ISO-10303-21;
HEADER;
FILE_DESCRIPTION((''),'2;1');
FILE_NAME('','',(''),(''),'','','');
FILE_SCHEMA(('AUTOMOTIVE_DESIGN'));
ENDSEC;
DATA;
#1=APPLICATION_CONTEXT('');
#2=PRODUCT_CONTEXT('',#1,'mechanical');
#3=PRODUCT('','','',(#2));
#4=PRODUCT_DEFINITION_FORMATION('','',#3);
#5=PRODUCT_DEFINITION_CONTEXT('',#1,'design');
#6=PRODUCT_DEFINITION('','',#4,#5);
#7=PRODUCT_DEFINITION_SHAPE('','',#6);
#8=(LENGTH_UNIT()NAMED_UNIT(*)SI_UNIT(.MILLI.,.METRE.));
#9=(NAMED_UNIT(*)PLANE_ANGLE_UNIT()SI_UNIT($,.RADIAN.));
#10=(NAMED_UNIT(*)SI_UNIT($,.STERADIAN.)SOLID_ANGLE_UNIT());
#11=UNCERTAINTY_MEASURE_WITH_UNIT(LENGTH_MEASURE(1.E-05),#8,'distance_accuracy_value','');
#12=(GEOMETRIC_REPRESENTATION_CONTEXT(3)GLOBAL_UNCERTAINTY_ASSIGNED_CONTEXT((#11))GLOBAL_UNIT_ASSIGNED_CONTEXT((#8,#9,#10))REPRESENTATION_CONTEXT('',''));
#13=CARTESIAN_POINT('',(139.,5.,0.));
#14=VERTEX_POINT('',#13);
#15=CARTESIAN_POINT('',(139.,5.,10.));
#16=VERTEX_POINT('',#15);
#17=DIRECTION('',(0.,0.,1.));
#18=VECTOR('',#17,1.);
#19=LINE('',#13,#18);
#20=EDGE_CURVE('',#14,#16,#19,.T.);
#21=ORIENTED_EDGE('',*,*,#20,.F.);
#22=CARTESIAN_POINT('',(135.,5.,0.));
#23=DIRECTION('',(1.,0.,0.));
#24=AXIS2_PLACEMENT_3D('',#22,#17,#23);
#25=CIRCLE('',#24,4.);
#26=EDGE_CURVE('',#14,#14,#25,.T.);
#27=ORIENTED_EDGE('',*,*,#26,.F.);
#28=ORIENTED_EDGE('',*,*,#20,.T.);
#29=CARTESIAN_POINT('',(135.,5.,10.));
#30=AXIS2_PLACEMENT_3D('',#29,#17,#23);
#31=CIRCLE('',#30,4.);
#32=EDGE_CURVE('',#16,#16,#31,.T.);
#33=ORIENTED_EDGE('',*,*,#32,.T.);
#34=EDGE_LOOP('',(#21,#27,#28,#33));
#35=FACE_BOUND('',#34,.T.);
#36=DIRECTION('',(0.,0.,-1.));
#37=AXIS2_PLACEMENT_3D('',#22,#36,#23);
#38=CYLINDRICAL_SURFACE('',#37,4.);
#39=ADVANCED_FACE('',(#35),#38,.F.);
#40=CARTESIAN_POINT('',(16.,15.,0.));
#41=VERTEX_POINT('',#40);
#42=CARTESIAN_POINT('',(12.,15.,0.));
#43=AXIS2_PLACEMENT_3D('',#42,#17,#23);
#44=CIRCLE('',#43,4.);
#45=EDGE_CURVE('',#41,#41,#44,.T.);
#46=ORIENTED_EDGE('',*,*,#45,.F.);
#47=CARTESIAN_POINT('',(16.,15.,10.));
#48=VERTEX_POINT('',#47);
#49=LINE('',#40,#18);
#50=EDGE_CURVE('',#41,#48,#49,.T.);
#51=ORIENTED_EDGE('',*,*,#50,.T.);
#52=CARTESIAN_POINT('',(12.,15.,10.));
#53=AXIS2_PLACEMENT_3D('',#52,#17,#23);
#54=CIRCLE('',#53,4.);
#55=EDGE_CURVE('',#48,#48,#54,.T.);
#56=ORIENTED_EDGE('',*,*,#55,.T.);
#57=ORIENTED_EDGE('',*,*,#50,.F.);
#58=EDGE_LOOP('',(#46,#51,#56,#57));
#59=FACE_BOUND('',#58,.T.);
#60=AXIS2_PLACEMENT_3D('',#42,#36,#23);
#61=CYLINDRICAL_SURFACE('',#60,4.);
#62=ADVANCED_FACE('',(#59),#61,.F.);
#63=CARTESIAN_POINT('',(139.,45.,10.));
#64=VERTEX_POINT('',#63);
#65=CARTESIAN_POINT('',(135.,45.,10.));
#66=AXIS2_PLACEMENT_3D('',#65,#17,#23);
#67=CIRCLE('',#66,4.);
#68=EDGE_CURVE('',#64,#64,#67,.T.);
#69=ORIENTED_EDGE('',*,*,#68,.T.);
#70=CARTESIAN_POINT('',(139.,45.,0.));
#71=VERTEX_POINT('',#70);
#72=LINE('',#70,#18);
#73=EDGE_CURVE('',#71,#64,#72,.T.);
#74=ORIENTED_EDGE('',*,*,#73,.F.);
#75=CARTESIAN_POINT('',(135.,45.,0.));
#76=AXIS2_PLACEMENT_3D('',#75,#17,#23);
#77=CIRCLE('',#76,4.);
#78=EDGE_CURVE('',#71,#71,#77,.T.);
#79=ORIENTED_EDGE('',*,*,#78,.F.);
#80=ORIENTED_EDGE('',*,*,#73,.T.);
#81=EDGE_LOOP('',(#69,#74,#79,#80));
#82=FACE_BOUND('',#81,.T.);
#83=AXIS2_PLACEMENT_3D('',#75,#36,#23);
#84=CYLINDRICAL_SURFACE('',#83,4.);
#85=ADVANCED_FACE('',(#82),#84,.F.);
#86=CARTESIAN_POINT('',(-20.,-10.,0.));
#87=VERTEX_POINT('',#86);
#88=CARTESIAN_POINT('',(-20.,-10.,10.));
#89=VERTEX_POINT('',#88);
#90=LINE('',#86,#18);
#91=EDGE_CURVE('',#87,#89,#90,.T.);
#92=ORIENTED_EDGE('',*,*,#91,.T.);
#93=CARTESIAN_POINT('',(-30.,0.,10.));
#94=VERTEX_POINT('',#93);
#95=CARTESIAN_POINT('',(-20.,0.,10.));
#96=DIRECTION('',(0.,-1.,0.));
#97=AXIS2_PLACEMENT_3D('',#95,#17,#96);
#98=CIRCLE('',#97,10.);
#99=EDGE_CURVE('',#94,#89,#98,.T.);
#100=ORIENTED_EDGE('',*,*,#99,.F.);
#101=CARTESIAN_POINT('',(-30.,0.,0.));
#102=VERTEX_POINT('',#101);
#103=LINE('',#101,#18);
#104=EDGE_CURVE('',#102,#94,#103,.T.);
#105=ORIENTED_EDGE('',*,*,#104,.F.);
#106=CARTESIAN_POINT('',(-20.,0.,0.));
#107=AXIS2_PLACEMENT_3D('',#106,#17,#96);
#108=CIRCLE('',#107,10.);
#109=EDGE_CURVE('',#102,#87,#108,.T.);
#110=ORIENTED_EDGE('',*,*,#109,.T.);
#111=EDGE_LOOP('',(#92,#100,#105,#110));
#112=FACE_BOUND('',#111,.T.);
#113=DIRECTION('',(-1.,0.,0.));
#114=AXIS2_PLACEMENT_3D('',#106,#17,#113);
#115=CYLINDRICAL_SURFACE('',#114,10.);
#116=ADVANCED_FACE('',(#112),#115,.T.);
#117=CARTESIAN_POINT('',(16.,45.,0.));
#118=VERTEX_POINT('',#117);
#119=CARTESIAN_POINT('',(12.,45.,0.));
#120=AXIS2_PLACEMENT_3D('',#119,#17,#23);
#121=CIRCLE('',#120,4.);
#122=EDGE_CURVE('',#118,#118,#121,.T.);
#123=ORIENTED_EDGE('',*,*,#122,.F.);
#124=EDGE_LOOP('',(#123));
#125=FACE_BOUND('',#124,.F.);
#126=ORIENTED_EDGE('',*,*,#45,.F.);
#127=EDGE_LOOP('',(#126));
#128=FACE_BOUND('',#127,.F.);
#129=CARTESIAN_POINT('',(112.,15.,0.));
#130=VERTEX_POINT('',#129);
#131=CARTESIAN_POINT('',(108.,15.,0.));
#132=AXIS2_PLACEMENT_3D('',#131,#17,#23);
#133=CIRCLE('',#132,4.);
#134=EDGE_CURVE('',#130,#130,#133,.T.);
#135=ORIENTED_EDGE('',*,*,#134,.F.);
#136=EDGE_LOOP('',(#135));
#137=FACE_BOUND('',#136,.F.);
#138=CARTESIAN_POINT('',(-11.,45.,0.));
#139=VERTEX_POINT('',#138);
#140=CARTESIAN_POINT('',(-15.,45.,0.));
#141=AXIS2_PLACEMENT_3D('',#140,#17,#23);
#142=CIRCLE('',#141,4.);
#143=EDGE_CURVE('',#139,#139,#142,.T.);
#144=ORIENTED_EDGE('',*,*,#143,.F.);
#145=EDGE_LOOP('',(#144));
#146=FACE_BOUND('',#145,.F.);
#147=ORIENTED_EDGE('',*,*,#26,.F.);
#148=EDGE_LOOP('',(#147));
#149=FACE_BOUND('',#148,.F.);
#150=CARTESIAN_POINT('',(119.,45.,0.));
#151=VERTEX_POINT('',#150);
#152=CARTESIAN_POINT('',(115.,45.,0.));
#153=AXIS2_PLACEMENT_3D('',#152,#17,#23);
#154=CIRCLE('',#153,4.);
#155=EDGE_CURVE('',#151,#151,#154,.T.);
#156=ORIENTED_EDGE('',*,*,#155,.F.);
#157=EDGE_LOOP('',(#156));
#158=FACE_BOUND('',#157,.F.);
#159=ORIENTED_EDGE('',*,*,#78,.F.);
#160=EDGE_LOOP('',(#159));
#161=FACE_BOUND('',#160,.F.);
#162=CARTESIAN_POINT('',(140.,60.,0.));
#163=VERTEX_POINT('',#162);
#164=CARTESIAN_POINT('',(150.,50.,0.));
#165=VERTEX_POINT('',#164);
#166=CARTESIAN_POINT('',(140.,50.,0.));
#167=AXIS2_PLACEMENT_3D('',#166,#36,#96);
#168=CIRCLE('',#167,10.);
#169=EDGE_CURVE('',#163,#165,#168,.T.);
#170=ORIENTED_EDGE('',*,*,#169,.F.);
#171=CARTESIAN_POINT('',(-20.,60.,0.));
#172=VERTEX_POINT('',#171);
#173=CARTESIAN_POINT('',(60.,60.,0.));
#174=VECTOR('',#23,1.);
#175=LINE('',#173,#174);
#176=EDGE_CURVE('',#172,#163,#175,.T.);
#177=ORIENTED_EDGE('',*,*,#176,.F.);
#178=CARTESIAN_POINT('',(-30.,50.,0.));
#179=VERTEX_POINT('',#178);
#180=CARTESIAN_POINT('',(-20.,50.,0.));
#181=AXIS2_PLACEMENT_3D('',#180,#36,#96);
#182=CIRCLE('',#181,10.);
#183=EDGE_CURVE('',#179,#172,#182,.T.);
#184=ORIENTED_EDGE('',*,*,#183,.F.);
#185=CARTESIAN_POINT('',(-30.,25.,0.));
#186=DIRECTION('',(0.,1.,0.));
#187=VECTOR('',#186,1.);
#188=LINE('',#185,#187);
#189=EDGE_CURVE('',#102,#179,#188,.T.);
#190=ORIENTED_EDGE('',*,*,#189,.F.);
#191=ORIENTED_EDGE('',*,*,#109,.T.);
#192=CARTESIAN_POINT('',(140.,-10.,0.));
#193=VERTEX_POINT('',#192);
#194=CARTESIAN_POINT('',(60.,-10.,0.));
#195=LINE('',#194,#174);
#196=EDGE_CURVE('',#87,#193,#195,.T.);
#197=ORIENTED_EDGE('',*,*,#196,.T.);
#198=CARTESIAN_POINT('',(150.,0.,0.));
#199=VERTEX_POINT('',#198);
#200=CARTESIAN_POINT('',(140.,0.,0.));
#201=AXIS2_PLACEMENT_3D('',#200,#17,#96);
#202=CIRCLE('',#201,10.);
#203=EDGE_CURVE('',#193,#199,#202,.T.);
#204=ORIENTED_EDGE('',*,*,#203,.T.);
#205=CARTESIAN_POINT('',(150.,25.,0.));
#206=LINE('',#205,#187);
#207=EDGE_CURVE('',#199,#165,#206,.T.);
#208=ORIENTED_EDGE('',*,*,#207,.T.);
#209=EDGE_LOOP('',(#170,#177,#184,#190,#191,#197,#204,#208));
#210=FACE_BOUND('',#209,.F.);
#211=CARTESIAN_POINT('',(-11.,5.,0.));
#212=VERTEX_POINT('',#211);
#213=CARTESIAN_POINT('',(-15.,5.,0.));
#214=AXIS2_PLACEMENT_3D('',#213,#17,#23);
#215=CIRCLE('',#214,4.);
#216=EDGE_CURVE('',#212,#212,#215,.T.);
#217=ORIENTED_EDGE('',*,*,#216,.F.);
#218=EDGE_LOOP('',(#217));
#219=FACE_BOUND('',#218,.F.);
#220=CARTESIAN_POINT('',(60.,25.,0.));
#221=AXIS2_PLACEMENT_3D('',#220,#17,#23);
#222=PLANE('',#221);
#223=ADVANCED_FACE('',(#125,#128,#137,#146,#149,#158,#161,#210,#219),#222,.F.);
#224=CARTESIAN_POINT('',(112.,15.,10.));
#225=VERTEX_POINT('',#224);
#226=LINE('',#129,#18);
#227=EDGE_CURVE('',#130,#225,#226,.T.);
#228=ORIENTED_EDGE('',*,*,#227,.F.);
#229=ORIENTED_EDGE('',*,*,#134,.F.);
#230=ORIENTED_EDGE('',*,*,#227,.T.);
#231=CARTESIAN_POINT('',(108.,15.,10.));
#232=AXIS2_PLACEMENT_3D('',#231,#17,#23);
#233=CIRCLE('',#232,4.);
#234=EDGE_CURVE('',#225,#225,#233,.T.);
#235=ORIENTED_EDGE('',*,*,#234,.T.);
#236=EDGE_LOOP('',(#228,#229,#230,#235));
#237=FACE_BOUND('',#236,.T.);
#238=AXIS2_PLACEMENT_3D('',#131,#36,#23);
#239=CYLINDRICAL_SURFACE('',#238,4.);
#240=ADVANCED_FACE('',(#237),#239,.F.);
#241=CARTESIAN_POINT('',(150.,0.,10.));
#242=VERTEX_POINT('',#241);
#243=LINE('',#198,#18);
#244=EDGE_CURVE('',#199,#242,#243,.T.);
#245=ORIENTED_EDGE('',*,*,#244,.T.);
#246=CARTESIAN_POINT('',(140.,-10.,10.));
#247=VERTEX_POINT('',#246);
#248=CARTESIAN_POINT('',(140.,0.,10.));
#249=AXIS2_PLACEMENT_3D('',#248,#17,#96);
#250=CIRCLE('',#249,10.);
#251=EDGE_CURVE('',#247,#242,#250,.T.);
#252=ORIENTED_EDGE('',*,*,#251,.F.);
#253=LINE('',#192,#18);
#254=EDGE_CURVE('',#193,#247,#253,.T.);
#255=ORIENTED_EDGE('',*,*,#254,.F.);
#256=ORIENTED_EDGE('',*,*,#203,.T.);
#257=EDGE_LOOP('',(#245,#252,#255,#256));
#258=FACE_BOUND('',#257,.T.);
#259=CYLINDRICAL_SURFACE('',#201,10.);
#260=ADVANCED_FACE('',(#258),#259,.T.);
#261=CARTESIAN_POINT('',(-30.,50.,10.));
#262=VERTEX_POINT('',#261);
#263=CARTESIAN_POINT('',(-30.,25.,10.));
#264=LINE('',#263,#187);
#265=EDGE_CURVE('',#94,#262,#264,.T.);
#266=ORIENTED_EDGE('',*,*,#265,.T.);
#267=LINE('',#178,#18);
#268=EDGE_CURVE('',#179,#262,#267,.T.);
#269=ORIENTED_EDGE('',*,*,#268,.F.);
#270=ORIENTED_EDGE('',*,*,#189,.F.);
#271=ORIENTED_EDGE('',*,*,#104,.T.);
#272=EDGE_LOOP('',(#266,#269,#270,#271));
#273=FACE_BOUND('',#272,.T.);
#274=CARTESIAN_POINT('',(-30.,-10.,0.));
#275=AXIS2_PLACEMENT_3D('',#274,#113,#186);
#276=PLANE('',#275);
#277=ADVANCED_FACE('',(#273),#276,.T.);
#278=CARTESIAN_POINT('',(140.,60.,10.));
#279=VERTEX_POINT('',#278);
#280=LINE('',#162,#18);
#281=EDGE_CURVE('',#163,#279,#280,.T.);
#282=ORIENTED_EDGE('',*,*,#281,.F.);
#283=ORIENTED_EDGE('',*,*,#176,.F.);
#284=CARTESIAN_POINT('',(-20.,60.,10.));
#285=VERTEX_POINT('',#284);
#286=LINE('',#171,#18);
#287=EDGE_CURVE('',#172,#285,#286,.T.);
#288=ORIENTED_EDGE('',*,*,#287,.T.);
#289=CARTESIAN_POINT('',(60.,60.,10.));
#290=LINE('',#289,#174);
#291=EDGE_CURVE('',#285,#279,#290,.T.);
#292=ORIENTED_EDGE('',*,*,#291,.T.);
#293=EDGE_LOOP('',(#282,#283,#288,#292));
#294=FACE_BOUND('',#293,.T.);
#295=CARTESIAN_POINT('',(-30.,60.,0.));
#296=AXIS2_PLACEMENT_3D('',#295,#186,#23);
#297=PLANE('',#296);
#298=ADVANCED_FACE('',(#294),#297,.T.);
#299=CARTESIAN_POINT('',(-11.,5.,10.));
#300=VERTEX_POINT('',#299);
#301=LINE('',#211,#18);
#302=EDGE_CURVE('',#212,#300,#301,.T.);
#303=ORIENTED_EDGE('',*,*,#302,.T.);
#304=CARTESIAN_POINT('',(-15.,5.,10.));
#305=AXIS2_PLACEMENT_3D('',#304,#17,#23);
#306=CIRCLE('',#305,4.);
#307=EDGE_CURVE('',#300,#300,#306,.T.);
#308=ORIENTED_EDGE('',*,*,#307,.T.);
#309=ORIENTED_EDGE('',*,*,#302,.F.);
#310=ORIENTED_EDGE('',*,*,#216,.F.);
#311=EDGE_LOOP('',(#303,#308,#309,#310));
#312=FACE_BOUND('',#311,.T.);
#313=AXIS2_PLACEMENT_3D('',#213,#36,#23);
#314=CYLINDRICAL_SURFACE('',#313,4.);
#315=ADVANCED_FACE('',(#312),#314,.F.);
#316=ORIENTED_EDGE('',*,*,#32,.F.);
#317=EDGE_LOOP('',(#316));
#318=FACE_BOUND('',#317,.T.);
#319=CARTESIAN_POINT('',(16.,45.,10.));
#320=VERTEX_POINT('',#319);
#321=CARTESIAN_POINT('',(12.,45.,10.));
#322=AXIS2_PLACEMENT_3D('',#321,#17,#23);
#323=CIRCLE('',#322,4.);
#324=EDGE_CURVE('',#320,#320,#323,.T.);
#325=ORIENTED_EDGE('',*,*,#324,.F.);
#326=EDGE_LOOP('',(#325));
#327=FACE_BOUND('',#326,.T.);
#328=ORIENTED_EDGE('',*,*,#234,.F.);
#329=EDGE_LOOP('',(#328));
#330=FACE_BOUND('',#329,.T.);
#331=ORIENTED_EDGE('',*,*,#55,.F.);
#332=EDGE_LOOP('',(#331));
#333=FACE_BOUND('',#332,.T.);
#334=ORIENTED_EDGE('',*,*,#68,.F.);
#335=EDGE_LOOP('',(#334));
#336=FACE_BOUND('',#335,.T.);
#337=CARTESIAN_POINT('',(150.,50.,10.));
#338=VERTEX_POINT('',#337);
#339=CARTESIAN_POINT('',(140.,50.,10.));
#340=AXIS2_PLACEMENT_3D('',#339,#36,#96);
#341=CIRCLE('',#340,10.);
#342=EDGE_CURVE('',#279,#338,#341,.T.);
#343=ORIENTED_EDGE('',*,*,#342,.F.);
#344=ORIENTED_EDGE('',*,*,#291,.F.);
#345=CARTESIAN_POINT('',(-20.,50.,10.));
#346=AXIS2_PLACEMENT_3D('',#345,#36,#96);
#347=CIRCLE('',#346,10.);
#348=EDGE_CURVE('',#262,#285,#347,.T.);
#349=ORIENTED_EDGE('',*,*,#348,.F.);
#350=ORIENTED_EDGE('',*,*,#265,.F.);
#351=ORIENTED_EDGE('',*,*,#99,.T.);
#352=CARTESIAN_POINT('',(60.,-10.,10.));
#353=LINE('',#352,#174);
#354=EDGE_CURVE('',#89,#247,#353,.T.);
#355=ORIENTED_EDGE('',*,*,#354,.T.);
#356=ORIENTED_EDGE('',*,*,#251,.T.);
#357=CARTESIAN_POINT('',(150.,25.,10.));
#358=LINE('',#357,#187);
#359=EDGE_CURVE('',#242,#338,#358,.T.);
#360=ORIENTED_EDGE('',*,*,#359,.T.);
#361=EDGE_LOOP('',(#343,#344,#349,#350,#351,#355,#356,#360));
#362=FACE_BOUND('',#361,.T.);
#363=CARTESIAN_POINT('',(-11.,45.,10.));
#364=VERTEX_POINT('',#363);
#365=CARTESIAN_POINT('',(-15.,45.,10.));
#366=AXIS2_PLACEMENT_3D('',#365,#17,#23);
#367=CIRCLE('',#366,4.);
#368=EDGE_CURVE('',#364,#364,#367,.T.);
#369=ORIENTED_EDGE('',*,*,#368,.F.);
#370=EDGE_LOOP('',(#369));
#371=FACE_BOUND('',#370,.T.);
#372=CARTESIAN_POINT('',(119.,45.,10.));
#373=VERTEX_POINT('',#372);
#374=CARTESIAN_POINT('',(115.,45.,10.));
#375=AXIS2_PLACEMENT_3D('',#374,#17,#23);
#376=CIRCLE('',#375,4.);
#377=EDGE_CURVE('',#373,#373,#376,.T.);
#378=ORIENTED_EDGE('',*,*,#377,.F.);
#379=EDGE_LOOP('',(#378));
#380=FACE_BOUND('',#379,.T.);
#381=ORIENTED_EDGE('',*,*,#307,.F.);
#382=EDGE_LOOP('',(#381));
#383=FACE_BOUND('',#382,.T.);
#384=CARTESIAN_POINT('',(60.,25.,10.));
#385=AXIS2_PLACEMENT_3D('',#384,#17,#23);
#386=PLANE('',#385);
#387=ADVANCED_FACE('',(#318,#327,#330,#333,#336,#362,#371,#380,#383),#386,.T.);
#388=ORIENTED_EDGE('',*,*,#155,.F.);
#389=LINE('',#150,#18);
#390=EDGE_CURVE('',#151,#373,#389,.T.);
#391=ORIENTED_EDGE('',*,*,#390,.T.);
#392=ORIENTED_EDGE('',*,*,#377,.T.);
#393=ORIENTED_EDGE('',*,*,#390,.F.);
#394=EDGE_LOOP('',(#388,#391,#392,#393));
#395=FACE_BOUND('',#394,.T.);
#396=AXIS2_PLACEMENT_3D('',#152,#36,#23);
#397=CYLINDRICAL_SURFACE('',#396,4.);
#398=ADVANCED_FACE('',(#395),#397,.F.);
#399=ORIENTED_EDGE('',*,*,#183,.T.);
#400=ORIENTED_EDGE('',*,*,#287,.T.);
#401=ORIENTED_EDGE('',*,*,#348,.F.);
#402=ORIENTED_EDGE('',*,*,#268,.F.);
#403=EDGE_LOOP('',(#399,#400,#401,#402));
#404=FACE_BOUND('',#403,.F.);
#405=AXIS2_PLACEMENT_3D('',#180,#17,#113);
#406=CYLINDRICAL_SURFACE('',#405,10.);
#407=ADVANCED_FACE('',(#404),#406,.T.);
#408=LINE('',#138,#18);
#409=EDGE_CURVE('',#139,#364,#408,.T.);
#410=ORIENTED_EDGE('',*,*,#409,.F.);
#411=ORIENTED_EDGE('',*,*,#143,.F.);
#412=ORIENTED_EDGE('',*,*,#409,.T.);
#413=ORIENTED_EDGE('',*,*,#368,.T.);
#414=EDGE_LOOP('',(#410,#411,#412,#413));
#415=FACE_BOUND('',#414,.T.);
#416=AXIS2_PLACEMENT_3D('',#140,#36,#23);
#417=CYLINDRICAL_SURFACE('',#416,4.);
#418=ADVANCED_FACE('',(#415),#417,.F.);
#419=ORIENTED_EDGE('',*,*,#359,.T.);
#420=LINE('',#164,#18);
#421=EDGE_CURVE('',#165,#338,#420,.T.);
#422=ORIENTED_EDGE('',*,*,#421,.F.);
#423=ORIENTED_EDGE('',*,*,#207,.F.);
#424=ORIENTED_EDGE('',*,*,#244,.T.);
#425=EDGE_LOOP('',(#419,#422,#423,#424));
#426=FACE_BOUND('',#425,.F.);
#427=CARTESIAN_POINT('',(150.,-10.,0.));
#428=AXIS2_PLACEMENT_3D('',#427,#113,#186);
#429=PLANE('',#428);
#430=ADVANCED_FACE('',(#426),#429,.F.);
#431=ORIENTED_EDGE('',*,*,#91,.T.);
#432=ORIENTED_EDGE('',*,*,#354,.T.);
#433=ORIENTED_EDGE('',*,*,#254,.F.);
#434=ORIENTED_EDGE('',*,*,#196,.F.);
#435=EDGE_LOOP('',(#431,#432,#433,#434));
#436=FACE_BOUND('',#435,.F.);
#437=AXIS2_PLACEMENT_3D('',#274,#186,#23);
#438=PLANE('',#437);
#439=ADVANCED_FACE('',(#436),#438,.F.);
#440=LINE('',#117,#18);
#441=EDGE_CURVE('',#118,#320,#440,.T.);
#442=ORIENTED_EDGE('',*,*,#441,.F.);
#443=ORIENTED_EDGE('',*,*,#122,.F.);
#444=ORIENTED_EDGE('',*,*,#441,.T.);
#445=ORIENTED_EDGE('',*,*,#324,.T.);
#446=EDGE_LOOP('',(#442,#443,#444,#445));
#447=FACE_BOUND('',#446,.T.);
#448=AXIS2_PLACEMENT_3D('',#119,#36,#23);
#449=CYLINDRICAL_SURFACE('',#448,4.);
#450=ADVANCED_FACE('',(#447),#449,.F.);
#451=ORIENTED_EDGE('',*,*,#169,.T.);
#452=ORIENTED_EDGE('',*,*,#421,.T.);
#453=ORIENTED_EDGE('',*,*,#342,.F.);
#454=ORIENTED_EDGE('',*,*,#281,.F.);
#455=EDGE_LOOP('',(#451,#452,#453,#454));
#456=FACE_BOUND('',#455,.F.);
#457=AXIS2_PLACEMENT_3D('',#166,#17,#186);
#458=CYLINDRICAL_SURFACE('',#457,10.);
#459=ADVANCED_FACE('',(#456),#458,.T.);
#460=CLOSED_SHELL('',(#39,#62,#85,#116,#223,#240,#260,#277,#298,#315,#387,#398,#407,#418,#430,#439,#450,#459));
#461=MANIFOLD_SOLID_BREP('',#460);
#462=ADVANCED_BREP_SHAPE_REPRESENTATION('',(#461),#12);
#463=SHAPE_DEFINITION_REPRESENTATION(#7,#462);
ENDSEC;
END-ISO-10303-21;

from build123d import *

# Parameters (mm, degrees)
SKETCH_W  = 180
SKETCH_H  = 70
SKETCH_R  = 4
PAD_DEPTH = 10
FILLET_R  = 10


with BuildPart() as part:
    # Sketch → Pad (new body)
    with BuildSketch(Plane.XY):
        with Locations((60, 25)):
            Rectangle(SKETCH_W, SKETCH_H)
        with Locations((-15, 45)):
            Circle(SKETCH_R, mode=Mode.SUBTRACT)
        with Locations((135, 45)):
            Circle(SKETCH_R, mode=Mode.SUBTRACT)
        with Locations((-15, 5)):
            Circle(SKETCH_R, mode=Mode.SUBTRACT)
        with Locations((135, 5)):
            Circle(SKETCH_R, mode=Mode.SUBTRACT)
        with Locations((12, 45)):
            Circle(SKETCH_R, mode=Mode.SUBTRACT)
        with Locations((12, 15)):
            Circle(SKETCH_R, mode=Mode.SUBTRACT)
        with Locations((108, 15)):
            Circle(SKETCH_R, mode=Mode.SUBTRACT)
        with Locations((115, 45)):
            Circle(SKETCH_R, mode=Mode.SUBTRACT)
    extrude(amount=PAD_DEPTH)

    # Fillet
    fillet_edges = [part.edges().sort_by_distance(p)[0] for p in [
        (-30, -10, 5),
        (-30, 60, 5),
        (150, -10, 5),
        (150, 60, 5),
    ]]
    fillet(fillet_edges, radius=FILLET_R)


solid = part.part
